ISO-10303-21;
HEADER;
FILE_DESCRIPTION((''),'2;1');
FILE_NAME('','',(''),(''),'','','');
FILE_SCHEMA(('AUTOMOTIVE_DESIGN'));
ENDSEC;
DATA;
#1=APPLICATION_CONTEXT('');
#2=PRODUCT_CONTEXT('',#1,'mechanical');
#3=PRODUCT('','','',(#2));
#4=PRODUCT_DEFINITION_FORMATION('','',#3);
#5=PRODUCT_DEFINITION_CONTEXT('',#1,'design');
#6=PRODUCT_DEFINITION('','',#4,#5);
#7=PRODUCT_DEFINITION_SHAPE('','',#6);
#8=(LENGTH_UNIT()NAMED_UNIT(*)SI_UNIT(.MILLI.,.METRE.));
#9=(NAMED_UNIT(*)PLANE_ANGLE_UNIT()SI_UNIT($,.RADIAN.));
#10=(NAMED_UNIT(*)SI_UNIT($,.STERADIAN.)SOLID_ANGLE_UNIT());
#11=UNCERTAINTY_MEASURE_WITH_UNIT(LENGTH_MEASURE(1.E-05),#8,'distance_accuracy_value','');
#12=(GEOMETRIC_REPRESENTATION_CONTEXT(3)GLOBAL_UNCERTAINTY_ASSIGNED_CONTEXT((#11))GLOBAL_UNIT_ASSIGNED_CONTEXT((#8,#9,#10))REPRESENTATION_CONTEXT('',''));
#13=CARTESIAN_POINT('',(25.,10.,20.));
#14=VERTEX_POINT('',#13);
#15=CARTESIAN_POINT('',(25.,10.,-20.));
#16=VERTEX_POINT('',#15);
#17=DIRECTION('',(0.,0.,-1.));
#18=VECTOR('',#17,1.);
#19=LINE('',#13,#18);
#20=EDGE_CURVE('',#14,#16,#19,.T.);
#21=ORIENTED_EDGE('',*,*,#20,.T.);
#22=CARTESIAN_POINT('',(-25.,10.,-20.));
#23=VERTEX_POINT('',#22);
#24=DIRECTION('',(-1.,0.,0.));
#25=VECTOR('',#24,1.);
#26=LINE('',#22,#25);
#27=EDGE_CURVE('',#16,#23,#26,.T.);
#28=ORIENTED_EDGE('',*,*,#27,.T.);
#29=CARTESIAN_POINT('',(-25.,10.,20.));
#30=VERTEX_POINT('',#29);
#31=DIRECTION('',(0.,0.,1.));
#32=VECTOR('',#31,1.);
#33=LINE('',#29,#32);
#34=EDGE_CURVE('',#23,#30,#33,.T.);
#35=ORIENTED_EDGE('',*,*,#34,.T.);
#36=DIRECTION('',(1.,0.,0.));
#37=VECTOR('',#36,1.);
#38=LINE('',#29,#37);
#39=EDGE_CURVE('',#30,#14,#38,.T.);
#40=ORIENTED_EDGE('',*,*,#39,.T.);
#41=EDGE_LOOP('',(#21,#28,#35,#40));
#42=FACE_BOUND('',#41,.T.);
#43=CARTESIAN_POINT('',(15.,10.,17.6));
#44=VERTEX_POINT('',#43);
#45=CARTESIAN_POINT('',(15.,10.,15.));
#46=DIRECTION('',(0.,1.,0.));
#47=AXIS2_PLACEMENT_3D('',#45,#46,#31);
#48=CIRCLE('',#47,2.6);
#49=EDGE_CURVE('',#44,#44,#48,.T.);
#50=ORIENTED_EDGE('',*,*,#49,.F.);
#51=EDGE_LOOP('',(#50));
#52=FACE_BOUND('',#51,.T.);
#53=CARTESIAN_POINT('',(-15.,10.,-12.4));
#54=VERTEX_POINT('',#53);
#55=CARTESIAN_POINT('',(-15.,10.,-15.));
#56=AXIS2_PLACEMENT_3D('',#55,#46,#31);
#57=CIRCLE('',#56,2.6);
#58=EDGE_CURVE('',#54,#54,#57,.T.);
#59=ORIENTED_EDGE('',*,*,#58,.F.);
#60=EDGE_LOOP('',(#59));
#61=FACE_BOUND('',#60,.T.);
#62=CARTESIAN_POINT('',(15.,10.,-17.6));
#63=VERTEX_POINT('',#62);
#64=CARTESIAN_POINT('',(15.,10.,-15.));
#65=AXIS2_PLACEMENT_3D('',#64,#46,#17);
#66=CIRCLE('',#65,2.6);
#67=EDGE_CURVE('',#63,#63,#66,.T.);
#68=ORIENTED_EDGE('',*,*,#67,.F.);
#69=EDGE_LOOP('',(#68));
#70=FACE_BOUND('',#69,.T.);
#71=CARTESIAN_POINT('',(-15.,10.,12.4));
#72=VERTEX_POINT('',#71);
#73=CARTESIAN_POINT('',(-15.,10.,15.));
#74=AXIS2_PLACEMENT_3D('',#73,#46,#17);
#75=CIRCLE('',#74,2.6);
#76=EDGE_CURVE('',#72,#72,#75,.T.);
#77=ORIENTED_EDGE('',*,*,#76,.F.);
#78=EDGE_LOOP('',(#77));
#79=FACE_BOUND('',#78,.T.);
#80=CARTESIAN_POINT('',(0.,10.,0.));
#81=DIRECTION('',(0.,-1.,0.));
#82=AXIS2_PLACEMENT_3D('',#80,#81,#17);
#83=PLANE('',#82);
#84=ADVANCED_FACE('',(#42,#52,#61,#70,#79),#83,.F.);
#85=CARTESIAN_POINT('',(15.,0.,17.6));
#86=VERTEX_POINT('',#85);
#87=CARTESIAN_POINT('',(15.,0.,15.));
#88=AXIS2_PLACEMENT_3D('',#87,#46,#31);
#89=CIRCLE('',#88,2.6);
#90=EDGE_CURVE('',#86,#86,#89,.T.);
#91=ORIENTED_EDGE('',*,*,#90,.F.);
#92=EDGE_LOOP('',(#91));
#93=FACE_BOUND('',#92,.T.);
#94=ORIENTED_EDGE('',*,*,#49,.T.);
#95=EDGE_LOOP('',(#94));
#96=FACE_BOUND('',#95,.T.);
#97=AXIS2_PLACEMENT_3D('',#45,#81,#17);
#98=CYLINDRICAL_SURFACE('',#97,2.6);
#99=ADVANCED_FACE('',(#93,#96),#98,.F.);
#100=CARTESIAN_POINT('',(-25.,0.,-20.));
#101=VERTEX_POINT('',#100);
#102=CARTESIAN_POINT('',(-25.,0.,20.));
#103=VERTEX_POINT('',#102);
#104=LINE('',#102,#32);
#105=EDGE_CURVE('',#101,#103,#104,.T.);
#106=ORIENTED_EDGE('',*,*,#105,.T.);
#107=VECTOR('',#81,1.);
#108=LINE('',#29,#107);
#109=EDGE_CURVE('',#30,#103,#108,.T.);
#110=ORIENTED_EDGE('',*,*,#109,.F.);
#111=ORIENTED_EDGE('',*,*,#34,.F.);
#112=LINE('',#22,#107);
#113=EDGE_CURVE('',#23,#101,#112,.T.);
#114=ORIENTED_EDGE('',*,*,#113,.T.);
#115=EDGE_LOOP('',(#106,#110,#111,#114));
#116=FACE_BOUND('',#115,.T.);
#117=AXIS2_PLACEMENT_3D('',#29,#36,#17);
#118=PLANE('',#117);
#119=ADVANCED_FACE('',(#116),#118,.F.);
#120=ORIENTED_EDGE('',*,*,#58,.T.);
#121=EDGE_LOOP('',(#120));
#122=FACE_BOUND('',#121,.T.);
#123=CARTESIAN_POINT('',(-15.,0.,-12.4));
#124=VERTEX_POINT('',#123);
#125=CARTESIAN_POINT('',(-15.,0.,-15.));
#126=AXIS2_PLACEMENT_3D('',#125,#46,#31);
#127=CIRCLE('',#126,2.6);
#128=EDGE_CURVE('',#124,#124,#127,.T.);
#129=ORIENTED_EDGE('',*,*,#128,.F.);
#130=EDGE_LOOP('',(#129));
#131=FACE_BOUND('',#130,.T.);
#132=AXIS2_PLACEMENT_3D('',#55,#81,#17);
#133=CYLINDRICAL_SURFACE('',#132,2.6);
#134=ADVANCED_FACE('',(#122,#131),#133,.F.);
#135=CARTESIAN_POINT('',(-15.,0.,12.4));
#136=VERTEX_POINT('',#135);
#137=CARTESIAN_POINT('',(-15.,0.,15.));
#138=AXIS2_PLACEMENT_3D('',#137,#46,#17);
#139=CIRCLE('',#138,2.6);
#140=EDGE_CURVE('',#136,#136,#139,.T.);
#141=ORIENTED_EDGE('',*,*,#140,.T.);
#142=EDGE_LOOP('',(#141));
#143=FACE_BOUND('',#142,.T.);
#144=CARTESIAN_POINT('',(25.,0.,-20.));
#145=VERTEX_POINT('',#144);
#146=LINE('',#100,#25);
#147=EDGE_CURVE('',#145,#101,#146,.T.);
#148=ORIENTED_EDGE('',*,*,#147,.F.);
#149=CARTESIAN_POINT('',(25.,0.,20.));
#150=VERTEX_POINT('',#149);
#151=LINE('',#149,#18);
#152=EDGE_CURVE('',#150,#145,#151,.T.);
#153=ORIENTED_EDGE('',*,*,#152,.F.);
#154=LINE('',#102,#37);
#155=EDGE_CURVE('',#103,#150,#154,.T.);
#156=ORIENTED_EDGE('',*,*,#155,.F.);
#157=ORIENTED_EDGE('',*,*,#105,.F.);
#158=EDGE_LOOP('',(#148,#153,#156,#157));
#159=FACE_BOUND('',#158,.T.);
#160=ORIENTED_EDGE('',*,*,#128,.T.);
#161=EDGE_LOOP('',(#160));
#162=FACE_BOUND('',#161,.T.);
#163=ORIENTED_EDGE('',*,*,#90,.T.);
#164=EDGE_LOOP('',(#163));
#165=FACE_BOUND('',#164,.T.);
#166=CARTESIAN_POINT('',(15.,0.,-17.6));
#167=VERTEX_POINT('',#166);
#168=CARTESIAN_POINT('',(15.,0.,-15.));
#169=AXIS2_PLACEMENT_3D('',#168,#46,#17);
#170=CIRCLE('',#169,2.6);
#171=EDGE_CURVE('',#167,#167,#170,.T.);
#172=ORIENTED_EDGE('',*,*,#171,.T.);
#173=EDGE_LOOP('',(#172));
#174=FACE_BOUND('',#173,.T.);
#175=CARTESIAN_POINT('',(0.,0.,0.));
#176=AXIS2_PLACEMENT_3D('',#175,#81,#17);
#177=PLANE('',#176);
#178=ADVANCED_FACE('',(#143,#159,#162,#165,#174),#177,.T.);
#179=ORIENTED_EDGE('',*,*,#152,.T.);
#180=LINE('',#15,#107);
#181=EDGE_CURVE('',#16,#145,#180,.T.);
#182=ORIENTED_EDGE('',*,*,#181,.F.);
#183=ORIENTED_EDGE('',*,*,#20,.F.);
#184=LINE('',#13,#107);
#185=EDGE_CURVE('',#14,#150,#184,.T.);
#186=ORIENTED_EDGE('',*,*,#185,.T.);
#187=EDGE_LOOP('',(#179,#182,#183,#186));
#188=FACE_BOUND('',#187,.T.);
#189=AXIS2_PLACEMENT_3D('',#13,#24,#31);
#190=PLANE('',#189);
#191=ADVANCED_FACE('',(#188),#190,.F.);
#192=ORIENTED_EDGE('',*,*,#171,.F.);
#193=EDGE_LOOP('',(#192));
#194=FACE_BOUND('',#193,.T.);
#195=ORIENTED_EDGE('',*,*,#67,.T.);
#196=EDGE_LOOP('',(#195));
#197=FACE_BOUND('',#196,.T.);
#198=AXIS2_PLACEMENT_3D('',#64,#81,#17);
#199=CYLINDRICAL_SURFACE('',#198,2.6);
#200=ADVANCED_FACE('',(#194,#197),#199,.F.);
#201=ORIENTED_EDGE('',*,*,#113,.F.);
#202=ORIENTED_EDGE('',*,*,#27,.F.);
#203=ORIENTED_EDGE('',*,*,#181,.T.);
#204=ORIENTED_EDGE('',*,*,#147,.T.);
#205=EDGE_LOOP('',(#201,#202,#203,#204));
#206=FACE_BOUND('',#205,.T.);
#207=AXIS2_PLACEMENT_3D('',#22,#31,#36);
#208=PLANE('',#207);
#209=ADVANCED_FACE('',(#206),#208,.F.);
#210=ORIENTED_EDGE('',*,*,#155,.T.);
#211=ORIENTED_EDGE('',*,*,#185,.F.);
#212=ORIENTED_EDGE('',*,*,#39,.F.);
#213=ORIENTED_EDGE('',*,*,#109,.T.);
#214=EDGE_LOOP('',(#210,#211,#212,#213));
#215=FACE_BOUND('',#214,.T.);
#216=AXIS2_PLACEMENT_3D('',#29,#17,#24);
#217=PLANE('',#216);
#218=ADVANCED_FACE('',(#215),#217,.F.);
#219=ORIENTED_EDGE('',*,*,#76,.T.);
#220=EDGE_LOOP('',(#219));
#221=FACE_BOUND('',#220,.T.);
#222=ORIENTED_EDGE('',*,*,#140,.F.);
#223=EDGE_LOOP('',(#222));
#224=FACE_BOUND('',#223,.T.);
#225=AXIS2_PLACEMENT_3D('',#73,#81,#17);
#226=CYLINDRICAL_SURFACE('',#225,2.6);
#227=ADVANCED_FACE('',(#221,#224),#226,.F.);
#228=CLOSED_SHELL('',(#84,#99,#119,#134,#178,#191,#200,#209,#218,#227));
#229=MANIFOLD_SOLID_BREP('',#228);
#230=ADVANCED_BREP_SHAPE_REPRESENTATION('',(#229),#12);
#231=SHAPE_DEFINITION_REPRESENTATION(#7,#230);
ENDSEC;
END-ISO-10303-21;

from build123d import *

# Parameters (mm, degrees)
SKETCH_1_W      = 50
SKETCH_1_H      = 40
SKETCH_1_R      = 2.6
EXTRUDE_1_DEPTH = 10


with BuildPart() as part:
    # 草图1 → 凸台-拉伸1 (new body)
    with BuildSketch(Plane(origin=(0, 0, 0), x_dir=(1, 0, 0), z_dir=(0, 1, 0))):
        Rectangle(SKETCH_1_W, SKETCH_1_H)
        with Locations(Location((-15, 15, 0), (0, 0, 270))):
            Circle(SKETCH_1_R, mode=Mode.SUBTRACT)
        with Locations(Location((-15, -15, 0), (0, 0, 90))):
            Circle(SKETCH_1_R, mode=Mode.SUBTRACT)
        with Locations(Location((15, -15, 0), (0, 0, 270))):
            Circle(SKETCH_1_R, mode=Mode.SUBTRACT)
        with Locations(Location((15, 15, 0), (0, 0, 90))):
            Circle(SKETCH_1_R, mode=Mode.SUBTRACT)
    extrude(amount=EXTRUDE_1_DEPTH)


solid = part.part
